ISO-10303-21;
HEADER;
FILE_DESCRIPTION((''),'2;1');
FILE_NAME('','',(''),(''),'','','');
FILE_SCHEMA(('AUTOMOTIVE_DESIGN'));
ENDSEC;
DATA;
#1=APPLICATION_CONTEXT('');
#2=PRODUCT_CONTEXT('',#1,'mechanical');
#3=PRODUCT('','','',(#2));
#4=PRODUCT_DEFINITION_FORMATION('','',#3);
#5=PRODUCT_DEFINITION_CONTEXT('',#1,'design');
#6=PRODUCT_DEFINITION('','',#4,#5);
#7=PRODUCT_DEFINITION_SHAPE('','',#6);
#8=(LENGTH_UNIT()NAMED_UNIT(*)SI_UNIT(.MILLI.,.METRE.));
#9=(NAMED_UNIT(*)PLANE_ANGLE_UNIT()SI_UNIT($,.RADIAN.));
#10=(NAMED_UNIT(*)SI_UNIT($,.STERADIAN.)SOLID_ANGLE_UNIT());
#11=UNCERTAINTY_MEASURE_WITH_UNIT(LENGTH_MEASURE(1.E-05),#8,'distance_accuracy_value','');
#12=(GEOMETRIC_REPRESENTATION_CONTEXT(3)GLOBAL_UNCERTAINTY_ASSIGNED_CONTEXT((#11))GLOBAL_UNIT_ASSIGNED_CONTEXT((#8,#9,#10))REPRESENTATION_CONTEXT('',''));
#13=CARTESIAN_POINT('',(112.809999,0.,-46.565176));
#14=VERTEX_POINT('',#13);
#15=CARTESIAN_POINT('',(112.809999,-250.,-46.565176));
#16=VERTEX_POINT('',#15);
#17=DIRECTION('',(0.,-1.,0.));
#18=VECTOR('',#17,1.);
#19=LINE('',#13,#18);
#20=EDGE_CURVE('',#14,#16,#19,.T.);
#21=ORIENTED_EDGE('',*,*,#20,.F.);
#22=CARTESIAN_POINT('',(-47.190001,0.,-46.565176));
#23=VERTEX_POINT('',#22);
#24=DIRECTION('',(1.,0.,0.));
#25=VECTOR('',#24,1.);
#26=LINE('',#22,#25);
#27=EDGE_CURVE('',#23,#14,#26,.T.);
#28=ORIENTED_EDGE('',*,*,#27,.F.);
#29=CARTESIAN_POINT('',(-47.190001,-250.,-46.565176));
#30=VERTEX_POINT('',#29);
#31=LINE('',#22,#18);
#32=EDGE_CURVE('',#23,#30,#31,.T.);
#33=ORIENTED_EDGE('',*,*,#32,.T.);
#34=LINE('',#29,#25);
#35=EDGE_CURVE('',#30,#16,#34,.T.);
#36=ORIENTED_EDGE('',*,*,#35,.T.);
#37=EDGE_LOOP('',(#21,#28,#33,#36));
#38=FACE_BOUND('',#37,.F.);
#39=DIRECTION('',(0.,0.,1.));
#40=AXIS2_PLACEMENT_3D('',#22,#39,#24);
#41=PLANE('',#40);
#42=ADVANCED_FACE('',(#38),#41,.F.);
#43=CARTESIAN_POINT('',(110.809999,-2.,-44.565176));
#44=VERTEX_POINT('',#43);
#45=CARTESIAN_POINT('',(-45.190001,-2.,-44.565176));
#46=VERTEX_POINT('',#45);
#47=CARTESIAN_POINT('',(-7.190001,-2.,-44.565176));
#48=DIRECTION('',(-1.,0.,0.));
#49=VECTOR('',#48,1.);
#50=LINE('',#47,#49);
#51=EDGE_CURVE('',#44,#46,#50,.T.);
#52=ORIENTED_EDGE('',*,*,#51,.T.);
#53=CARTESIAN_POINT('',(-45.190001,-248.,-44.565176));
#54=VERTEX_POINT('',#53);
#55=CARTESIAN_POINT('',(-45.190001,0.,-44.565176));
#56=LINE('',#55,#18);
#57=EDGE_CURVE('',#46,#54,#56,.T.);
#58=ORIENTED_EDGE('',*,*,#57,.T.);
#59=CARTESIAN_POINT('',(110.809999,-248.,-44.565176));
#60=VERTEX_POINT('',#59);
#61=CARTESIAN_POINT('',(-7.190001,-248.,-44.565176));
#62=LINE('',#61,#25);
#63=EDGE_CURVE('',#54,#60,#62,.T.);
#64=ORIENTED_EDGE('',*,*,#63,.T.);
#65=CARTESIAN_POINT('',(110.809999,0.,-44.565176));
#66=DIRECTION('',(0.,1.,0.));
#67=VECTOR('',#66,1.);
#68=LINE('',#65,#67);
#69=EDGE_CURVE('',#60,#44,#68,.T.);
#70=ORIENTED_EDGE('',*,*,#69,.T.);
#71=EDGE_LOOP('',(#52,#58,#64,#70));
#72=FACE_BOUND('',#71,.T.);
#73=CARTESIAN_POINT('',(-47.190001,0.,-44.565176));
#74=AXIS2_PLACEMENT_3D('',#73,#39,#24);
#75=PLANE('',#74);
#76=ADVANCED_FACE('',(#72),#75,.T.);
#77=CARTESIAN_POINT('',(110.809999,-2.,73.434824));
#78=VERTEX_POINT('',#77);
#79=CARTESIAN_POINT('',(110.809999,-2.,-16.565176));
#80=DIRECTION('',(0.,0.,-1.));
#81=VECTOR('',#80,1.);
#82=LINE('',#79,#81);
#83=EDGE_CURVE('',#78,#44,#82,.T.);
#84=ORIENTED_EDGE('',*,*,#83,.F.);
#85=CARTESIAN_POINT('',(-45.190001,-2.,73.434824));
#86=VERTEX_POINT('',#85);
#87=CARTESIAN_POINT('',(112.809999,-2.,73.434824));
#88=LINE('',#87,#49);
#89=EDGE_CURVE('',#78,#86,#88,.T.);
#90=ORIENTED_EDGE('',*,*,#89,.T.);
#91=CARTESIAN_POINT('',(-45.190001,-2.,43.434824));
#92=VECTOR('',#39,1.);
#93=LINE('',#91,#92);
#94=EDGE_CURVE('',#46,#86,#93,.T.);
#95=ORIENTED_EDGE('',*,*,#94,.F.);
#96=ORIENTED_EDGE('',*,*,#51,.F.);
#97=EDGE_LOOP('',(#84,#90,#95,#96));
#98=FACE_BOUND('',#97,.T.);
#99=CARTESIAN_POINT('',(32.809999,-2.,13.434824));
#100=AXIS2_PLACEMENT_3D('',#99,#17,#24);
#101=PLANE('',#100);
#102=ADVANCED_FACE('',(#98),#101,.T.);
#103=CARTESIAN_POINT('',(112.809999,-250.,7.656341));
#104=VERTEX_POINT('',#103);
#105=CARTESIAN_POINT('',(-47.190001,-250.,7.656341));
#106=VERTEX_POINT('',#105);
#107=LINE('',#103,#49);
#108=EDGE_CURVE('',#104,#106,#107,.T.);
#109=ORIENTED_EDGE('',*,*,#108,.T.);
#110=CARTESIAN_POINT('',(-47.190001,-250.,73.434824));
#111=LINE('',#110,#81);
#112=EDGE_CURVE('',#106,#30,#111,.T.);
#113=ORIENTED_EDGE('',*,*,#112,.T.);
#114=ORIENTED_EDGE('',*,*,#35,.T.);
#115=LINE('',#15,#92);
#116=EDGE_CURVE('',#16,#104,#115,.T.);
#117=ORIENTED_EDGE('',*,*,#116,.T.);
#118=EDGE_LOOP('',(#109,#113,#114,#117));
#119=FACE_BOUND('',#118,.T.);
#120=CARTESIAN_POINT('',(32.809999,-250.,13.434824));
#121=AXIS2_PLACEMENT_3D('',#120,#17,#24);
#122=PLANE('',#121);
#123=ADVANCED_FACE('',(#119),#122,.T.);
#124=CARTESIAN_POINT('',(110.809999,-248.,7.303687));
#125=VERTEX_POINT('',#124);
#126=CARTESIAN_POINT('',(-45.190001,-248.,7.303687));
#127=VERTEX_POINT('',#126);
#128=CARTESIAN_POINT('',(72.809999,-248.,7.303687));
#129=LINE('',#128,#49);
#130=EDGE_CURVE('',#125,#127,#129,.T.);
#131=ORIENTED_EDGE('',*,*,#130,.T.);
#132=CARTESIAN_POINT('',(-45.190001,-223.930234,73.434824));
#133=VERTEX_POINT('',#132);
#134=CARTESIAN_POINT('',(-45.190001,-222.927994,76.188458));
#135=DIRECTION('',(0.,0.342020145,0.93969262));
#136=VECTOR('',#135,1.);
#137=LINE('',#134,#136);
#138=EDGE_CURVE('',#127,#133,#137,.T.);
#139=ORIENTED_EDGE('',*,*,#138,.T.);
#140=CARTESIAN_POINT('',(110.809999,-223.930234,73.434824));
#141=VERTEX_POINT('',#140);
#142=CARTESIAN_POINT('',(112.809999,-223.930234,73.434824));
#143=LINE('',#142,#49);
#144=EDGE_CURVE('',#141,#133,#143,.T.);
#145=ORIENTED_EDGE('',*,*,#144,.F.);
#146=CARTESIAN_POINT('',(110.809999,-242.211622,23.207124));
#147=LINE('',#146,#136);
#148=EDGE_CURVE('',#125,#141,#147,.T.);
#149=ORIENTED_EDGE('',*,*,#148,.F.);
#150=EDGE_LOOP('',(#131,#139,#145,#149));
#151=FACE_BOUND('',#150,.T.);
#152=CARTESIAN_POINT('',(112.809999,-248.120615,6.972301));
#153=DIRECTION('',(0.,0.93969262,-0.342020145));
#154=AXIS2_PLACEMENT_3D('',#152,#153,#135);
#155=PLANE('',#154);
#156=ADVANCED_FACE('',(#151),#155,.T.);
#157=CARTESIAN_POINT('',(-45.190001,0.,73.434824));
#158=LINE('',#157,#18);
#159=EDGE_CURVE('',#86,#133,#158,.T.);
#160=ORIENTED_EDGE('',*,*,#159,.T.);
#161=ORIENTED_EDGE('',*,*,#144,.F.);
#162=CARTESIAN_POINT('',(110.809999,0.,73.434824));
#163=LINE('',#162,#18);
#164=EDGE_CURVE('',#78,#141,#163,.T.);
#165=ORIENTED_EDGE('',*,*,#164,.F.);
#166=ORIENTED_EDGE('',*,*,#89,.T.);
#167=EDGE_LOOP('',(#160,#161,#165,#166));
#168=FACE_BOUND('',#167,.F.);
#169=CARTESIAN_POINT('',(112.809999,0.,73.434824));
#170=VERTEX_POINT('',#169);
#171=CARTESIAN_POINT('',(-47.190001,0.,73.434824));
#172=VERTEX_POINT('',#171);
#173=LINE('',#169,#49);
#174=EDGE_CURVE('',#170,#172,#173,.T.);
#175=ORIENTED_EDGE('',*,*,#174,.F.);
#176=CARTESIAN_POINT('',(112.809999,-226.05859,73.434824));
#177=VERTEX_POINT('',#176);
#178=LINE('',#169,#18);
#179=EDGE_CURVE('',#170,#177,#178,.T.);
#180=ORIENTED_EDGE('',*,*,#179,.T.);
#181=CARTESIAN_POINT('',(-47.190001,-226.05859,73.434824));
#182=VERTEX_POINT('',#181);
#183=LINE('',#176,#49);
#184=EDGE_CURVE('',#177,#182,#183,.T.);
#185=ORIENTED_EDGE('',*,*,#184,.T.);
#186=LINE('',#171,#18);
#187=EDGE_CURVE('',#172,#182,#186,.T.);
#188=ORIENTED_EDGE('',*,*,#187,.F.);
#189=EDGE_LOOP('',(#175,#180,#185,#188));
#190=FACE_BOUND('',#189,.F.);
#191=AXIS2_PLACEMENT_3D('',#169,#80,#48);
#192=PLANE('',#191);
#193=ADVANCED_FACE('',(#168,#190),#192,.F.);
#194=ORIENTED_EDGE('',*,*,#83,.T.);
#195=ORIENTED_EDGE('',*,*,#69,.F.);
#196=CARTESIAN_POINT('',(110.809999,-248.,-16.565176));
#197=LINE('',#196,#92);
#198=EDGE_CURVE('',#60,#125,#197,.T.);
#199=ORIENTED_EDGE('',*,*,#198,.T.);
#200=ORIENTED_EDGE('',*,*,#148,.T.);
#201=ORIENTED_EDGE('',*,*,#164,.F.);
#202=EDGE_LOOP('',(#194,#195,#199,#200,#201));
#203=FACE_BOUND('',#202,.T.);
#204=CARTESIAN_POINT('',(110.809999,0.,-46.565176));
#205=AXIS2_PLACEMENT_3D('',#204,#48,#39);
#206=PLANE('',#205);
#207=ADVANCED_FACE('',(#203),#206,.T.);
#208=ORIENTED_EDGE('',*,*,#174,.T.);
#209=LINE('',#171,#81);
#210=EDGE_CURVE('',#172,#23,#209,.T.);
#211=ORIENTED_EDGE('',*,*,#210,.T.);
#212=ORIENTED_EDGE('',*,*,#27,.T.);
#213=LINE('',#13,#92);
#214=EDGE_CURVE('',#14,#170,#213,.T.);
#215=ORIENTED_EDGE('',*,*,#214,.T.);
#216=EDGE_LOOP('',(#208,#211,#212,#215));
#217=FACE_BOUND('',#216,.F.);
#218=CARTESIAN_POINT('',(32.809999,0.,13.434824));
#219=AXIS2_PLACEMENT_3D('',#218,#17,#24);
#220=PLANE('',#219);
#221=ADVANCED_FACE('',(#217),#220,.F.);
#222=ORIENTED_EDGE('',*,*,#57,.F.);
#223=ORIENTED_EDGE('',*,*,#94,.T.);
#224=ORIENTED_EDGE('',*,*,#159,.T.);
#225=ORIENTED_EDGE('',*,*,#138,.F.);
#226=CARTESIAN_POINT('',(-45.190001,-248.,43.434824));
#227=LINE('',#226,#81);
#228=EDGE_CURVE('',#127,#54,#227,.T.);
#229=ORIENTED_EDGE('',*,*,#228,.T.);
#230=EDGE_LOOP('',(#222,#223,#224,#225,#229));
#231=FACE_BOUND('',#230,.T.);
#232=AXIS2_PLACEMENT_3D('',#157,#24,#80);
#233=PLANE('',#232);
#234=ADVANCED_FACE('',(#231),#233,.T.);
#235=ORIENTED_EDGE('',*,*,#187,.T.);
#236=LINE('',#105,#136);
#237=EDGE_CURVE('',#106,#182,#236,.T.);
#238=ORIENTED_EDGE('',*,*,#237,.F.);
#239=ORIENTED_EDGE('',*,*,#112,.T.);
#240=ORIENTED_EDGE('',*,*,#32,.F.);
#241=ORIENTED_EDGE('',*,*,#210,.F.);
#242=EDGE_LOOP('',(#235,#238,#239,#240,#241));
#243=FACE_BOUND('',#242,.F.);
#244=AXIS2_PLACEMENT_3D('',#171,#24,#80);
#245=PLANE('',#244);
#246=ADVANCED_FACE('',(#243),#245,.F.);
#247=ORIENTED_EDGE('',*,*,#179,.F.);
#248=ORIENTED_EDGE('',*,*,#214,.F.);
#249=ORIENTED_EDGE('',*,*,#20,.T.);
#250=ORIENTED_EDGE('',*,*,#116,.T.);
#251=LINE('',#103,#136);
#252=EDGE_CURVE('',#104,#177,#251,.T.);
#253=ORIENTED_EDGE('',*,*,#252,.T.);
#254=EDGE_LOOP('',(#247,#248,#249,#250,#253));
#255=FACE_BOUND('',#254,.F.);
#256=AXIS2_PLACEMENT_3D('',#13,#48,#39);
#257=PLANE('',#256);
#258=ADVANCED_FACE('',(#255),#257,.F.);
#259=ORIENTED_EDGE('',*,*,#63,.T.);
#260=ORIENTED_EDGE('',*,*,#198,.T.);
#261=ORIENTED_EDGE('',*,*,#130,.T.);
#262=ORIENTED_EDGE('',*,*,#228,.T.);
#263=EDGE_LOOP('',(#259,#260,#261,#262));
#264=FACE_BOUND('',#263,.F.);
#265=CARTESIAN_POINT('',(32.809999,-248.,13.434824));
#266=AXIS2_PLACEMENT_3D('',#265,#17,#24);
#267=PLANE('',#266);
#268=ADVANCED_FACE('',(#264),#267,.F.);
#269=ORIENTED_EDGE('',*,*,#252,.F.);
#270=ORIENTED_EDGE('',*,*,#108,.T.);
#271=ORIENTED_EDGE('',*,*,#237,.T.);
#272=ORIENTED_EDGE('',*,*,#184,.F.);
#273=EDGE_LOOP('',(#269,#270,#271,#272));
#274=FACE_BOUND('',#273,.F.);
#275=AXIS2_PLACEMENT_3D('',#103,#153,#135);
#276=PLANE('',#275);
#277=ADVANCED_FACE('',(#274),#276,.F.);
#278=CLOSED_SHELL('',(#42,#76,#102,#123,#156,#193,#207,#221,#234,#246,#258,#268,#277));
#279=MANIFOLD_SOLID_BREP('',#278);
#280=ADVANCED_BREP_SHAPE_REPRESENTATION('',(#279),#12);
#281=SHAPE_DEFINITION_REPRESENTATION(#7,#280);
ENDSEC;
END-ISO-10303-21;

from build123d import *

# Parameters (mm, degrees)
F1_DEPTH = 250
F3_DEPTH = 160
F4_T     = -2


with BuildPart() as f1:
    # F0 (on Front) → F1 (new body)
    with BuildSketch(Plane.XZ):
        Polygon((72.809999, 73.434824), (-47.190001, 73.434824), (-47.190001, -46.565176), (72.809999, -46.565176), (112.809999, -46.565176), (112.809999, 73.434824), align=None)
    extrude(amount=F1_DEPTH)

    # F2 (on face) → F3 (cut, through all)
    with BuildSketch(Plane.YZ.offset(112.809999)):
        Polygon((-250, 73.434824), (-250, 7.656341), (-226.05859, 73.434824), align=None)
    extrude(amount=-F3_DEPTH, mode=Mode.SUBTRACT)

    # F4
    f4_openings = [f1.faces().sort_by_distance(p)[0] for p in [
        (32.809999, -113.029295, 73.434824),
    ]]
    offset(amount=F4_T, openings=f4_openings)


solid = f1.part
